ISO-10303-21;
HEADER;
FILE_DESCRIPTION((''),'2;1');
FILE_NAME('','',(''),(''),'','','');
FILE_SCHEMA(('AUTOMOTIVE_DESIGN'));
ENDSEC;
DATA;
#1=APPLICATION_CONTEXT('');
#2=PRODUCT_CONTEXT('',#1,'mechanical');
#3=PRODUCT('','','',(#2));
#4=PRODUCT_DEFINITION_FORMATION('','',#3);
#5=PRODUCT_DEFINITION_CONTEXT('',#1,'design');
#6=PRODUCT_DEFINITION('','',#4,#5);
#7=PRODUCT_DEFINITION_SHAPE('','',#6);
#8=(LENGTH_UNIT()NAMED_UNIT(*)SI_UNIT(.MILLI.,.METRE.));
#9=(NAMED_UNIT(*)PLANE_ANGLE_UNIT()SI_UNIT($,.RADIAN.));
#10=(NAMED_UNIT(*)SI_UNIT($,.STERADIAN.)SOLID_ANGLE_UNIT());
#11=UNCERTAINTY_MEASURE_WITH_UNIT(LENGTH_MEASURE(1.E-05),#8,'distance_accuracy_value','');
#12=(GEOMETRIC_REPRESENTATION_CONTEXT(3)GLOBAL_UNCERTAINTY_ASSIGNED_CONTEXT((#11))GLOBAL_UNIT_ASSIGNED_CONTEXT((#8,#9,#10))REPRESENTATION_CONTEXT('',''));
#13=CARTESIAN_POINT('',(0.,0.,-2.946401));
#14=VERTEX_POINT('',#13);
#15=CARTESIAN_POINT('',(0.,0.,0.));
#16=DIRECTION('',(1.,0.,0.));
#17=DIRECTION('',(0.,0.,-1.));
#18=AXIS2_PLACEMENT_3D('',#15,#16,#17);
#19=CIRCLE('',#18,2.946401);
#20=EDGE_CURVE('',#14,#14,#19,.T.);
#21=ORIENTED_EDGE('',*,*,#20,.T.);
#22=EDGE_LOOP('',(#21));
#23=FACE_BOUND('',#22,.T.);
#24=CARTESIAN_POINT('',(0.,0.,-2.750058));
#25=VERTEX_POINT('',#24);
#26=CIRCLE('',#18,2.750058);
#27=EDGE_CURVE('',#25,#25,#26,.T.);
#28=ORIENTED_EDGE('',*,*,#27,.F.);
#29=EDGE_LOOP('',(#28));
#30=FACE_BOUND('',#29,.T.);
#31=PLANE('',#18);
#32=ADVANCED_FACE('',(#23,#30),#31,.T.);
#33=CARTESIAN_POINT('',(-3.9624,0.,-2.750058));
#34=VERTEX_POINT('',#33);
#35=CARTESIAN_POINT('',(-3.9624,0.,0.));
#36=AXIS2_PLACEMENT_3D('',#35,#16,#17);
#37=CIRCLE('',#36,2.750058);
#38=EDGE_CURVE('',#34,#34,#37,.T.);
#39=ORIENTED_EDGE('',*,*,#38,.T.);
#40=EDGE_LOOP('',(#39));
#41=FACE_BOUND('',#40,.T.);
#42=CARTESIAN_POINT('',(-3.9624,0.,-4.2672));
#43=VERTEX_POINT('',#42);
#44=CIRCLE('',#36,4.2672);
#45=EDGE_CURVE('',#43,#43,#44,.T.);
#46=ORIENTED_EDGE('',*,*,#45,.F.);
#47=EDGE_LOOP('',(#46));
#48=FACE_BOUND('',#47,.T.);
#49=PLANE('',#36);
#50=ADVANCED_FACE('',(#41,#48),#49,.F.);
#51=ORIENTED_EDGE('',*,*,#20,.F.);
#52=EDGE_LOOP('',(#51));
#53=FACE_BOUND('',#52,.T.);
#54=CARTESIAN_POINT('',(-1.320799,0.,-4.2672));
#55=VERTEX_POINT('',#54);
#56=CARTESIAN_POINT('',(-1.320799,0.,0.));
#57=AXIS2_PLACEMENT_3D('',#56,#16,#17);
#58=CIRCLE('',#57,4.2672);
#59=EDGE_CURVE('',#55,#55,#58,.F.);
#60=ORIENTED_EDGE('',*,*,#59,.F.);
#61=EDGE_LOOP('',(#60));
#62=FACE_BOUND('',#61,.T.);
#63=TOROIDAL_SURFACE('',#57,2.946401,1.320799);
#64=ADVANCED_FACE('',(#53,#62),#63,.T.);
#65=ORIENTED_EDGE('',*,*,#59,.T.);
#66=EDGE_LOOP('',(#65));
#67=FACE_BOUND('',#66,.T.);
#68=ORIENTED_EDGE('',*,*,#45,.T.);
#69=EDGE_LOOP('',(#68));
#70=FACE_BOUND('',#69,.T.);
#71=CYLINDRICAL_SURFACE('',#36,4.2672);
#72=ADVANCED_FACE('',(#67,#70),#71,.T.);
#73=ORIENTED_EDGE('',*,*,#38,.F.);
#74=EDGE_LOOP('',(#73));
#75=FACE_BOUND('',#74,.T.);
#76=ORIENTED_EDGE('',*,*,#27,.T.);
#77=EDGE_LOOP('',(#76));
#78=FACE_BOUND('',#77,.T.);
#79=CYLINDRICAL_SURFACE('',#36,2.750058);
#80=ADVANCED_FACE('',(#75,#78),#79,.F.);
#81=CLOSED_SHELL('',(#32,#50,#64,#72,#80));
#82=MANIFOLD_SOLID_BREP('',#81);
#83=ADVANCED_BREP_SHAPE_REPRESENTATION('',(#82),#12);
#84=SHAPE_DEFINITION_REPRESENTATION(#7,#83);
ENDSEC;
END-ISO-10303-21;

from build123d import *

# Parameters (mm, degrees)
SKETCH2_R           = 4.2672
SKETCH2_R_2         = 2.750058
BOSS_EXTRUDE1_DEPTH = 3.9624
FILLET2_R           = 1.320798984


with BuildPart() as part:
    # Sketch2 → Boss-Extrude1 (new body)
    with BuildSketch(Plane(origin=(0, 0, 0), x_dir=(0, 0, -1), z_dir=(1, 0, 0))):
        Circle(SKETCH2_R)
        Circle(SKETCH2_R_2, mode=Mode.SUBTRACT)
    extrude(amount=-BOSS_EXTRUDE1_DEPTH)

    # Fillet2
    fillet2_edges = [part.edges().sort_by_distance(p)[0] for p in [
        (0, 0, 4.2672),
    ]]
    fillet(fillet2_edges, radius=FILLET2_R)


solid = part.part
